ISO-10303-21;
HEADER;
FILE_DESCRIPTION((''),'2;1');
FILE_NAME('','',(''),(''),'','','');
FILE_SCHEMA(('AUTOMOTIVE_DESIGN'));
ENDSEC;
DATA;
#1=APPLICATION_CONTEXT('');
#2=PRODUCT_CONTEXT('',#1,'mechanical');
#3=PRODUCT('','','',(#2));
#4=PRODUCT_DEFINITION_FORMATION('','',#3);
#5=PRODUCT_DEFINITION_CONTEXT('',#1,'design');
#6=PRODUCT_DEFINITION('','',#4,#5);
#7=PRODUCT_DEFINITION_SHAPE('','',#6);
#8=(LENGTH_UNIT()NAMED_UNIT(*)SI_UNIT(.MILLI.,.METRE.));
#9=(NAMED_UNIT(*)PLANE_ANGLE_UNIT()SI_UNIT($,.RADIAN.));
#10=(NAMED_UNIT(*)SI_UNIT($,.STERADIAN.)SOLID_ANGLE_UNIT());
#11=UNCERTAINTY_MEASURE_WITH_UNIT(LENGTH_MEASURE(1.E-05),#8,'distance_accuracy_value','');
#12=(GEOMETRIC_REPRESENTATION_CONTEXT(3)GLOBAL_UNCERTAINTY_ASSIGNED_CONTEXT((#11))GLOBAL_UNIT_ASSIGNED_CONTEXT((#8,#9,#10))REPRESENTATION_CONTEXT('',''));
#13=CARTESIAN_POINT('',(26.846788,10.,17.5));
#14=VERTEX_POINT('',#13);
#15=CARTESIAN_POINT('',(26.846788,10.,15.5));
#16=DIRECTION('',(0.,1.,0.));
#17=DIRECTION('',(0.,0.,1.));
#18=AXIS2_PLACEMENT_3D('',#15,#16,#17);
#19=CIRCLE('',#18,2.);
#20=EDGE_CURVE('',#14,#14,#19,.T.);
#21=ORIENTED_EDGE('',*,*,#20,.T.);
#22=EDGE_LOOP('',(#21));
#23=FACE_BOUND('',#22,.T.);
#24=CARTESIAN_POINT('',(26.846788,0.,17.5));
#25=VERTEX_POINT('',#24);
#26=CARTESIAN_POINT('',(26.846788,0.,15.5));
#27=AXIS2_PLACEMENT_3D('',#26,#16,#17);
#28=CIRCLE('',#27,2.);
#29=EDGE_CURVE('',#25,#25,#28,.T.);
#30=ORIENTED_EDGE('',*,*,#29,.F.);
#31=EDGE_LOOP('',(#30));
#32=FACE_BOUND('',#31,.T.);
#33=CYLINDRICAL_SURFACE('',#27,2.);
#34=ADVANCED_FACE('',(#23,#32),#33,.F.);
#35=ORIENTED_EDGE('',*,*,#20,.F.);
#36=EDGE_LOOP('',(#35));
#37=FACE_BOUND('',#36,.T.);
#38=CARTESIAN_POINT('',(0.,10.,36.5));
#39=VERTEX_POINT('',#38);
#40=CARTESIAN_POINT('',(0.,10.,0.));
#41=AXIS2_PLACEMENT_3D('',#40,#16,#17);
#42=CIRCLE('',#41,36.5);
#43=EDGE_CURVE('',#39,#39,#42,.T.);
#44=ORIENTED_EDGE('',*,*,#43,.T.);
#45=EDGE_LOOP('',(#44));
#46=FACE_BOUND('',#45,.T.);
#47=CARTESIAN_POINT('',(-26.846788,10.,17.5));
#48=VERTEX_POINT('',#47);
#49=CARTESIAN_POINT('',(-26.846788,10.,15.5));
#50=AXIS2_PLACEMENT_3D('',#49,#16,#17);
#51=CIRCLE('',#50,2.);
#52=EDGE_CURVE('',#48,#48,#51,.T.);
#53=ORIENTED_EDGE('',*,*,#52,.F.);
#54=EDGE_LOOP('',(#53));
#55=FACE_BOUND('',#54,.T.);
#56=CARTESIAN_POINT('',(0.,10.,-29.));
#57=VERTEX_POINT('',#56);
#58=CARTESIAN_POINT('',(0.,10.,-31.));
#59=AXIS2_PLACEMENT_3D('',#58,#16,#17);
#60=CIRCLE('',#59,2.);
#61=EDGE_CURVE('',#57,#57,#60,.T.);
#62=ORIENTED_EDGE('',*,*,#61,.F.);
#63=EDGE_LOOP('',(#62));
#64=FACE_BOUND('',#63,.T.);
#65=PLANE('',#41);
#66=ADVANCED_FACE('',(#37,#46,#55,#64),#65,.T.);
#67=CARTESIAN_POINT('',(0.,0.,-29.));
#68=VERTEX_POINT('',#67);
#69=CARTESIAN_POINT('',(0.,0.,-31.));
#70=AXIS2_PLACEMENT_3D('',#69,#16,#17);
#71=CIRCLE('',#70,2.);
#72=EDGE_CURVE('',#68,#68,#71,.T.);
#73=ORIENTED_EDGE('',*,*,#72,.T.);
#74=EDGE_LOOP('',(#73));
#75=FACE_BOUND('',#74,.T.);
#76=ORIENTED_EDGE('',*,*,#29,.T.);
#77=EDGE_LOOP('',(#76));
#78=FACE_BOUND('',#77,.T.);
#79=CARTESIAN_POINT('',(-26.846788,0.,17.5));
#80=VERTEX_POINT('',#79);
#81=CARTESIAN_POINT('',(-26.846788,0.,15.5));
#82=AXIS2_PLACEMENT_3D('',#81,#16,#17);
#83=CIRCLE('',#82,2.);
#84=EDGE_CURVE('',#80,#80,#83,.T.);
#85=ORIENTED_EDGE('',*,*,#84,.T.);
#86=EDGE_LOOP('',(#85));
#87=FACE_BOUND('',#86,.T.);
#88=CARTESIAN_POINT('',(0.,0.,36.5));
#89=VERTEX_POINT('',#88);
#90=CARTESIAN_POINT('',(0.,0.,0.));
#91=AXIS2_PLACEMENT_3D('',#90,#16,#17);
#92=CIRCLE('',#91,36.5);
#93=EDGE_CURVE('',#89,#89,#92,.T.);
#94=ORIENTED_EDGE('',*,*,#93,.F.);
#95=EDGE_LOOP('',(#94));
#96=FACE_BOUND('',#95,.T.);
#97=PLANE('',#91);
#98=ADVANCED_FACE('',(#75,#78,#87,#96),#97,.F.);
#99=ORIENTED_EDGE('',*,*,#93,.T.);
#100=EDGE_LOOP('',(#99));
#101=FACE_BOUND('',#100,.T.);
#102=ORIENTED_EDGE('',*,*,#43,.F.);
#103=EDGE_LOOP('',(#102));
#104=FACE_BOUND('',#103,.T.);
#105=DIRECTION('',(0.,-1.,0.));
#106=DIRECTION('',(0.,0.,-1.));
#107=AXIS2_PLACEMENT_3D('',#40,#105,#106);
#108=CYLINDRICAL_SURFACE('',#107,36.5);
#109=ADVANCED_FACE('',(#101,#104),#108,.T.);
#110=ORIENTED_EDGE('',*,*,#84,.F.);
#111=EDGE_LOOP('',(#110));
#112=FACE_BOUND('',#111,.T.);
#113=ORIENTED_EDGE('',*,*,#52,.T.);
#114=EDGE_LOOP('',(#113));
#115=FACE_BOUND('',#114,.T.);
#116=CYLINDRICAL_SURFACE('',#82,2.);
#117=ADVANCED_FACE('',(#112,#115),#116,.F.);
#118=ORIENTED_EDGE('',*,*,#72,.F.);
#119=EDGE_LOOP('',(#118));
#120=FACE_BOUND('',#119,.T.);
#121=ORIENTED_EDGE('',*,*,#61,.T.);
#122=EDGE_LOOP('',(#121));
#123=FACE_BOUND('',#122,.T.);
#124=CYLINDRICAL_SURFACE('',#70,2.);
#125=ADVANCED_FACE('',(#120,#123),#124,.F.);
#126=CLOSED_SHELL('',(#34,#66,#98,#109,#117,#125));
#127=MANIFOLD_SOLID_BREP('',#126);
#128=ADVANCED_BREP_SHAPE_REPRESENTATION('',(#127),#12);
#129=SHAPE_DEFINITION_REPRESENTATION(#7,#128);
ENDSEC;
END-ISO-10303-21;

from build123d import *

# Parameters (mm, degrees)
SKETCH1_R           = 36.5
BOSS_EXTRUDE1_DEPTH = 10
SKETCH3_R           = 2
CUT_EXTRUDE1_DEPTH  = 11


with BuildPart() as part:
    # Sketch1 → Boss-Extrude1 (new body)
    with BuildSketch(Plane(origin=(0, 0, 0), x_dir=(1, 0, 0), z_dir=(0, 1, 0))):
        Circle(SKETCH1_R)
    extrude(amount=BOSS_EXTRUDE1_DEPTH)

    # Sketch3 → Cut-Extrude1 (cut, through all)
    with BuildSketch(Plane(origin=(0, 10, 0), x_dir=(1, 0, 0), z_dir=(0, 1, 0))):
        with Locations((0, 31)):
            Circle(SKETCH3_R)
        with Locations((26.846787517, -15.5)):
            Circle(SKETCH3_R)
        with Locations((-26.846787517, -15.5)):
            Circle(SKETCH3_R)
    extrude(amount=-CUT_EXTRUDE1_DEPTH, mode=Mode.SUBTRACT)


solid = part.part
